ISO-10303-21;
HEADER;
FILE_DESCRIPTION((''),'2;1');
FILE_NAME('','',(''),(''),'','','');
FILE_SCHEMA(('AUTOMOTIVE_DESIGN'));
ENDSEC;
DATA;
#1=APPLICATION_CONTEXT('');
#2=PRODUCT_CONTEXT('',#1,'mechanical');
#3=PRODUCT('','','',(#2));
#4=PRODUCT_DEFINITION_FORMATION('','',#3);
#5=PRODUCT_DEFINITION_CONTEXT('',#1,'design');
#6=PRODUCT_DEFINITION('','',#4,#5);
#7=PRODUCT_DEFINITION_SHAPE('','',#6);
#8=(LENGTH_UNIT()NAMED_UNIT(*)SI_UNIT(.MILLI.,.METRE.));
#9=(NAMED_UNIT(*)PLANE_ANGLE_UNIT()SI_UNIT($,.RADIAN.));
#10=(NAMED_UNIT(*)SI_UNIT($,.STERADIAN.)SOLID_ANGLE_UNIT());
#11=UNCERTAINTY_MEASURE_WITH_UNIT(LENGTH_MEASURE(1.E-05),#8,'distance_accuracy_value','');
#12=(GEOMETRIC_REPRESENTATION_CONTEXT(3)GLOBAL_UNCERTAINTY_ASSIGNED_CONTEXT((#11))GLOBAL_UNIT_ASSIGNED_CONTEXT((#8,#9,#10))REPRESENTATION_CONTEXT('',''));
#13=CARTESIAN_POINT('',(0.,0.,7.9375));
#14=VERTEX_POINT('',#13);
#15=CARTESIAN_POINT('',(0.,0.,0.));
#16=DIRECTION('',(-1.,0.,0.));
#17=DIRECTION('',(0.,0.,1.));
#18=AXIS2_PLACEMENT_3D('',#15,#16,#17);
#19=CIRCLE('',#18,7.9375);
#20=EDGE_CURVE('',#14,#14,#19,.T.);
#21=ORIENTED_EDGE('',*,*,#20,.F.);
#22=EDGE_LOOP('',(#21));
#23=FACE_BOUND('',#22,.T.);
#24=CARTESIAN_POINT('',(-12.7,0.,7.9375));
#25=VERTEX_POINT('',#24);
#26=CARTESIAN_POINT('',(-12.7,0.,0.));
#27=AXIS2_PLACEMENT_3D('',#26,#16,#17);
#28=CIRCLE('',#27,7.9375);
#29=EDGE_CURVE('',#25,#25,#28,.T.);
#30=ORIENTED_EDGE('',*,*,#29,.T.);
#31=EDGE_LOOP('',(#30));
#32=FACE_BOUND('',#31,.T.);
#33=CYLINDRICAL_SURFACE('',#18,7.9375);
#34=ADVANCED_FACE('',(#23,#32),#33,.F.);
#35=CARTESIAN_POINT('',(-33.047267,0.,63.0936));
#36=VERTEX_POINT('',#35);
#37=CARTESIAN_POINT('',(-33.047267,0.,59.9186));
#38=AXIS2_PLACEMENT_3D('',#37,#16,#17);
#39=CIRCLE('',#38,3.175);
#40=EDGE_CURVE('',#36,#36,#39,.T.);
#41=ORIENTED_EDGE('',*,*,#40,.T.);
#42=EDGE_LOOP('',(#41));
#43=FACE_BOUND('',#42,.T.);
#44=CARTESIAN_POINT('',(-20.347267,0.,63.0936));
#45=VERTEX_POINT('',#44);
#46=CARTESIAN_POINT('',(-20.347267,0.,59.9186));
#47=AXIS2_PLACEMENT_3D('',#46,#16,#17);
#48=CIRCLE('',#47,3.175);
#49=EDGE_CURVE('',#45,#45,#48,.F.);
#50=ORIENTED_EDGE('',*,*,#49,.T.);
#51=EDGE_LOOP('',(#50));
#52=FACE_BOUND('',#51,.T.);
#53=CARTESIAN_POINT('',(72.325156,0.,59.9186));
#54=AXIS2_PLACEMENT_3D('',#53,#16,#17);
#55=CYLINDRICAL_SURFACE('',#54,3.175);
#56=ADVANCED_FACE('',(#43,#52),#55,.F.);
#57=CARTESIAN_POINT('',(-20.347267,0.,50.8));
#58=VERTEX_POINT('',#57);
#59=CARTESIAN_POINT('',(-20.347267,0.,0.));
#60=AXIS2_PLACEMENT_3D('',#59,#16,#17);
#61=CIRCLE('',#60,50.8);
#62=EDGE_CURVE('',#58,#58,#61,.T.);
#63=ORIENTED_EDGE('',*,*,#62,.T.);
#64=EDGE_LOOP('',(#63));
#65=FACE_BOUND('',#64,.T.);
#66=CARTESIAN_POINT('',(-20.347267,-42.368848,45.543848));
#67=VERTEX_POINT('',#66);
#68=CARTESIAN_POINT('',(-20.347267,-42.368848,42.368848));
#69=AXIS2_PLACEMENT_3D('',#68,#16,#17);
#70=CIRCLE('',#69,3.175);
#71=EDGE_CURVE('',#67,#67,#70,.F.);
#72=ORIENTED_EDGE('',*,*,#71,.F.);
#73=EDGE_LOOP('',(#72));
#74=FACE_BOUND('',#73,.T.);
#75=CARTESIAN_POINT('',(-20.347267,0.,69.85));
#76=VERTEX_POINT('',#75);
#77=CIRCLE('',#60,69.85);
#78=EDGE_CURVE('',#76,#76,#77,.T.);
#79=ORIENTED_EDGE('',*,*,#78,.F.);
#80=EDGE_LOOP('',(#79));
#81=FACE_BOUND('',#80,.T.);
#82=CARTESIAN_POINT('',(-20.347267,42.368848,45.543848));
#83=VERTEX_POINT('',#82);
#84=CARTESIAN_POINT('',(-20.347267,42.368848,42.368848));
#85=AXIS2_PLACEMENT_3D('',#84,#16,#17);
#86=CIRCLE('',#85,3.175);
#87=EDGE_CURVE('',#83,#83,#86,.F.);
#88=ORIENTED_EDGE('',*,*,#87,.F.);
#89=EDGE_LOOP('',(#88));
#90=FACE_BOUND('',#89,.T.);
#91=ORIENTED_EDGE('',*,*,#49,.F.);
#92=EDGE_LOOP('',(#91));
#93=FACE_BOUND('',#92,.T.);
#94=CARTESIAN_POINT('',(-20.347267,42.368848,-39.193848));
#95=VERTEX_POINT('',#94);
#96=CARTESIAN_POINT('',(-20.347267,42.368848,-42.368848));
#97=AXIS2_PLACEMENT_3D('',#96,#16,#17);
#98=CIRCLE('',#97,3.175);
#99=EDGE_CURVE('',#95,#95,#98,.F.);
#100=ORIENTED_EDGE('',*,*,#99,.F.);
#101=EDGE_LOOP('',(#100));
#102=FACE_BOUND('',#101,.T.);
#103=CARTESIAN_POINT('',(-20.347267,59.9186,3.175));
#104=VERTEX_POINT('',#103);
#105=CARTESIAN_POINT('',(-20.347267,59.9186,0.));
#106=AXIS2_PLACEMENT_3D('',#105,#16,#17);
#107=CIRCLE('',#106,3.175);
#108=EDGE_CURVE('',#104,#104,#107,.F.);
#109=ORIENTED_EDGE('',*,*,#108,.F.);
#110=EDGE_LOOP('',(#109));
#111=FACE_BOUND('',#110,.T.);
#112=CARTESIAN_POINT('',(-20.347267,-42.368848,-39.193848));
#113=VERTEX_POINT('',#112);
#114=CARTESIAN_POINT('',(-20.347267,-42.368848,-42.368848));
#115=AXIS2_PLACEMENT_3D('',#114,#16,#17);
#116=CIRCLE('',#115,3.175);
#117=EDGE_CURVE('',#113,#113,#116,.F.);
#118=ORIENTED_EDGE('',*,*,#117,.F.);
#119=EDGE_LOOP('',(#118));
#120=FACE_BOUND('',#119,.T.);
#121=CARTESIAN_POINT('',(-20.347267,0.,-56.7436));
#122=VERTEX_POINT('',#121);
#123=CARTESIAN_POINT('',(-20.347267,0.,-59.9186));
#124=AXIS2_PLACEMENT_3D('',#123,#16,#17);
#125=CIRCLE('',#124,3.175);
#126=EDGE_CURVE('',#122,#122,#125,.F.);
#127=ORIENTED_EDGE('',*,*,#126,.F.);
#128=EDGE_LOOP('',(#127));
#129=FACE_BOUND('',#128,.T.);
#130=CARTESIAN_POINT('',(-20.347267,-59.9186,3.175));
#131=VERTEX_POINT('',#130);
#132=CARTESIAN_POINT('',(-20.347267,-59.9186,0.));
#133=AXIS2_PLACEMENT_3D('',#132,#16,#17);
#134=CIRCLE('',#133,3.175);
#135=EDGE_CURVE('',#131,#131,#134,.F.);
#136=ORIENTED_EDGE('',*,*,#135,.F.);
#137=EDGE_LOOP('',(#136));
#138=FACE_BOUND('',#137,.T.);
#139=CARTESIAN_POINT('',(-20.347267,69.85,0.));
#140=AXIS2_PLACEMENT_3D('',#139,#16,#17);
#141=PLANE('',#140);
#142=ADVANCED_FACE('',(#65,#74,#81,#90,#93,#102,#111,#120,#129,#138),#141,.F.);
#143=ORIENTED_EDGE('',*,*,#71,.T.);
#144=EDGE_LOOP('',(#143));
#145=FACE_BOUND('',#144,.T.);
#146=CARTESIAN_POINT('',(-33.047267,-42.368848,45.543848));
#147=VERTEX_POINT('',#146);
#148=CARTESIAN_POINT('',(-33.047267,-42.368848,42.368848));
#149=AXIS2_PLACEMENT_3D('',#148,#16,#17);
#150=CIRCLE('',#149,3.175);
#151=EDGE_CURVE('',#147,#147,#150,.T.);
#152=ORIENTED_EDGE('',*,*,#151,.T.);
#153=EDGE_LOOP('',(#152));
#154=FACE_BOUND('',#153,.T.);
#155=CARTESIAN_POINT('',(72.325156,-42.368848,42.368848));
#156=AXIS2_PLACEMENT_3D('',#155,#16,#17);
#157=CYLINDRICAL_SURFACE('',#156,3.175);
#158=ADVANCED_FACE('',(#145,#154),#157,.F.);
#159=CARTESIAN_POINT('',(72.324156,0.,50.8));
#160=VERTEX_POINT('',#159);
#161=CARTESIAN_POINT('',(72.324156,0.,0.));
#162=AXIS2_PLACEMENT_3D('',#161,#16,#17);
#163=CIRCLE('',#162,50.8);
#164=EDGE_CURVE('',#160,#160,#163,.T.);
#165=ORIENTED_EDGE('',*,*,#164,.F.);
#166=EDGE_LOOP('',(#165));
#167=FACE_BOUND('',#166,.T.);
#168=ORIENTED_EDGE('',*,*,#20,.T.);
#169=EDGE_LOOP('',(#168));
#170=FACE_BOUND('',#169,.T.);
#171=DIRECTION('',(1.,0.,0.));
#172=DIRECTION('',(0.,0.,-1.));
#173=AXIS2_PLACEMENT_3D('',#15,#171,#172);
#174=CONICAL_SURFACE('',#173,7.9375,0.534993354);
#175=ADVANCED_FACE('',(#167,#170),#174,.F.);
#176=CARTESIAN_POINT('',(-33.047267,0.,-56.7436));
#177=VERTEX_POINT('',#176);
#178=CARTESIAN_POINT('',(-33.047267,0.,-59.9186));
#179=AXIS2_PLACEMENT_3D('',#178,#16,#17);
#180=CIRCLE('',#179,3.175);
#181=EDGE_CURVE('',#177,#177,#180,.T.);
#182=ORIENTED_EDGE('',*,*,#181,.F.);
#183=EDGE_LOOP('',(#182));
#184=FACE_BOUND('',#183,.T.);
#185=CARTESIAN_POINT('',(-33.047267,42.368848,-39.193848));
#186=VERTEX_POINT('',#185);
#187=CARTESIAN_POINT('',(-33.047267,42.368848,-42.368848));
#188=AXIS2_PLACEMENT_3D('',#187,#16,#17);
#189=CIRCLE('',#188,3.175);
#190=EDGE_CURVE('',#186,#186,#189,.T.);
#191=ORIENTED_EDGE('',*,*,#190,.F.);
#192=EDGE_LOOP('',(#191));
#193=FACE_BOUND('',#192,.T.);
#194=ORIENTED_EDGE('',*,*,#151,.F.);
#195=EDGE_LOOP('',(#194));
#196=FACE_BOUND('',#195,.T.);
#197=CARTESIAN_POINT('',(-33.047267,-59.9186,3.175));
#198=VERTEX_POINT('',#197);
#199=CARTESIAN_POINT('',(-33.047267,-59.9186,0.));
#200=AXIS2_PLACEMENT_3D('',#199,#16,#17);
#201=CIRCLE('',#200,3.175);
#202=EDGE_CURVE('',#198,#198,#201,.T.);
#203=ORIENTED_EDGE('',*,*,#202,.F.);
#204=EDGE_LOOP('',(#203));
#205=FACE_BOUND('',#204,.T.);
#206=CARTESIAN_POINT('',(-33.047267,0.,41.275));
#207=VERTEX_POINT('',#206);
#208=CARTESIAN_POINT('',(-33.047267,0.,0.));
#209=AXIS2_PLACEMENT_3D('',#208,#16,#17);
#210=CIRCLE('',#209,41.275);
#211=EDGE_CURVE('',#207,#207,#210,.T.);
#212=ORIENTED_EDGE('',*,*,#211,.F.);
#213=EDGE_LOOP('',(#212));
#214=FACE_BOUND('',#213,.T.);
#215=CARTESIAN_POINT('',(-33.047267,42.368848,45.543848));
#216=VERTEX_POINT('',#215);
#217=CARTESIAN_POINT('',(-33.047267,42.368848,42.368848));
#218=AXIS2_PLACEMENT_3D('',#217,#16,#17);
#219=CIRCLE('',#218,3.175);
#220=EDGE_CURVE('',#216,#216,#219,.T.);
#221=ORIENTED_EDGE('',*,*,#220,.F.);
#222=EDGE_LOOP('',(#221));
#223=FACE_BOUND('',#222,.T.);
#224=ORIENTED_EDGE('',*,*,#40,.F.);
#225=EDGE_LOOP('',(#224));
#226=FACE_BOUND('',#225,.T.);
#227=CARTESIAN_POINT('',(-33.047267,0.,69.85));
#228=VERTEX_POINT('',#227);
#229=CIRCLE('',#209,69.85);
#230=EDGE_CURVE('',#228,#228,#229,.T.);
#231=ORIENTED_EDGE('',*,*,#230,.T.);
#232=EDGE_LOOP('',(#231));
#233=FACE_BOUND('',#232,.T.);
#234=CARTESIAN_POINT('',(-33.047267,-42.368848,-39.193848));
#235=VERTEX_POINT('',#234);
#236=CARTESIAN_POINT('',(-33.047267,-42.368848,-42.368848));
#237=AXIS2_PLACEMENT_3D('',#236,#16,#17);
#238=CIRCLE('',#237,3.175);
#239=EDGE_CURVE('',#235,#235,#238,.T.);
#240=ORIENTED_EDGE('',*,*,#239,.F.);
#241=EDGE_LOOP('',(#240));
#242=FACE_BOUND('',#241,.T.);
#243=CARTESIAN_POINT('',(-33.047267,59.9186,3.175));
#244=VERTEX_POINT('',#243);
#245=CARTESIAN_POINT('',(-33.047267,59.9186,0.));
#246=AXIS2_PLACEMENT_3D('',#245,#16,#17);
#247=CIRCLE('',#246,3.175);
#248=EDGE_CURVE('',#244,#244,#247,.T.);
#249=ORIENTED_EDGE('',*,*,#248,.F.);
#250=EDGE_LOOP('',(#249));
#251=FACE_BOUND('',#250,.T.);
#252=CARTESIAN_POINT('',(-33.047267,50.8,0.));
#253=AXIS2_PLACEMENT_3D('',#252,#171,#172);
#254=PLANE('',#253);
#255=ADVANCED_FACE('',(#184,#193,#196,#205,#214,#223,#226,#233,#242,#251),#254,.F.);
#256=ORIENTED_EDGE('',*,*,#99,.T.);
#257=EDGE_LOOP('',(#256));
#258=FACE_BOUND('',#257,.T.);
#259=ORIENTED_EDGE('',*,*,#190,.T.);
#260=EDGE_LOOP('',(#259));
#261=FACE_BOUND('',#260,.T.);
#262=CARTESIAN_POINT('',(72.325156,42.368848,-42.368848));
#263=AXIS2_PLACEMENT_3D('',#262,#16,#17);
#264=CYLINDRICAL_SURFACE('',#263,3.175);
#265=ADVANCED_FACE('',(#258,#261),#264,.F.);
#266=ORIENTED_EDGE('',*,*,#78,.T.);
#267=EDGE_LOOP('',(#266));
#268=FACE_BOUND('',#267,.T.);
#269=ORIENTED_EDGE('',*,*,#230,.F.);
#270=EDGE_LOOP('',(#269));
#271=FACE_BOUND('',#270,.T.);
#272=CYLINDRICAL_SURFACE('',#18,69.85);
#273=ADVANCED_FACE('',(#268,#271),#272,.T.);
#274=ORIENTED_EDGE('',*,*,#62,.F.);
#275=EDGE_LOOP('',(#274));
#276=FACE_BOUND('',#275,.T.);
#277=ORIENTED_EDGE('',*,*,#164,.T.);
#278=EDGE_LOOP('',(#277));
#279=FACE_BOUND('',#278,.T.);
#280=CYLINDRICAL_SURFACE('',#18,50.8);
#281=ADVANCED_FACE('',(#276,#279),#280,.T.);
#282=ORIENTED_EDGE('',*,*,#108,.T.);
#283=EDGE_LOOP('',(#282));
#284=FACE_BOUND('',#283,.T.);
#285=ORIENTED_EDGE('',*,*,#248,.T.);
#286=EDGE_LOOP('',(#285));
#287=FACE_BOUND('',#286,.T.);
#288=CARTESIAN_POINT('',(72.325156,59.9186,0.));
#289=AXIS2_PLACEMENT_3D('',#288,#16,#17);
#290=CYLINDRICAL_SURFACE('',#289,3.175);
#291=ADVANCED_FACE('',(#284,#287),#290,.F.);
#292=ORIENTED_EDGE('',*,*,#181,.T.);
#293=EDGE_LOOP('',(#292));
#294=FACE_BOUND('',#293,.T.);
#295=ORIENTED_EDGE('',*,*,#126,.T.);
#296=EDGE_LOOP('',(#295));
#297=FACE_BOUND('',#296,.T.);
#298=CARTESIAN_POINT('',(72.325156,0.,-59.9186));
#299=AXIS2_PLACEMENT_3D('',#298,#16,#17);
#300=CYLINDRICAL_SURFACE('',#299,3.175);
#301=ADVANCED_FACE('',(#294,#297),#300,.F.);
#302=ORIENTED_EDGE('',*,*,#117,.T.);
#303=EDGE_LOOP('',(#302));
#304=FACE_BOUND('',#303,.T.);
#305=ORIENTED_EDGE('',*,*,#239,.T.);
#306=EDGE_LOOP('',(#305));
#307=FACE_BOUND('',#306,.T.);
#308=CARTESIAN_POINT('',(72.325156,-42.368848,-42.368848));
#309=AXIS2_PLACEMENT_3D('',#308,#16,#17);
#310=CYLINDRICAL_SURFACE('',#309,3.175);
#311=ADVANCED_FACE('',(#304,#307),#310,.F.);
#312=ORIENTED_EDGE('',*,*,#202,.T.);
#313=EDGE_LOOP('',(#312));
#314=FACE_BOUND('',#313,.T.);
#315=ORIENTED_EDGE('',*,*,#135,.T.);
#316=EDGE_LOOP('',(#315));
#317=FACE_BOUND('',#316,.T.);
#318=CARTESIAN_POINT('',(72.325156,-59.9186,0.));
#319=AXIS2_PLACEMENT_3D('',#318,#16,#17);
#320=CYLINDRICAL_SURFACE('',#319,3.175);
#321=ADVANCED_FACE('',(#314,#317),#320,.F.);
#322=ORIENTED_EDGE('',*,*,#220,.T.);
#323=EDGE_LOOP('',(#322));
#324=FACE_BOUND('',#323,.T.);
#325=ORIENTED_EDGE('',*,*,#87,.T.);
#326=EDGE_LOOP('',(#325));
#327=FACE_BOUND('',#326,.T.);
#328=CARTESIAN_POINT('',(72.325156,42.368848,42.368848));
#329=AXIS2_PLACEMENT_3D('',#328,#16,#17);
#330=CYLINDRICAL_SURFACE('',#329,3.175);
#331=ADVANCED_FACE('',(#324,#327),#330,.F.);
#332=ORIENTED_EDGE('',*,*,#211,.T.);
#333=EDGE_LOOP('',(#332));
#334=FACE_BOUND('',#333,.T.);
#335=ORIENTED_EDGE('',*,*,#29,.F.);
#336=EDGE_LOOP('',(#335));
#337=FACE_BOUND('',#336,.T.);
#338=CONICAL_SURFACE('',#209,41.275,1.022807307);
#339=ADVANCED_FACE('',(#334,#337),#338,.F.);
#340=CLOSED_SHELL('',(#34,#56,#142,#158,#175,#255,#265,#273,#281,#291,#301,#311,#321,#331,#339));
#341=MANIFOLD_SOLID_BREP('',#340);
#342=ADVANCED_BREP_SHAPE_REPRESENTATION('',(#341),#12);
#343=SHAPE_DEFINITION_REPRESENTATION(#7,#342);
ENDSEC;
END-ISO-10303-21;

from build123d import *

# Parameters (mm, degrees)
CUT_EXTRUDE2_REACH = 107.371
SKETCH3_R          = 3.175


with BuildPart() as part:
    # Sketch1 → Revolve1 (revolve)
    with BuildSketch(Plane.XY):
        Polygon((0, 7.9375), (72.324156056, 50.8), (-20.347266862, 50.8), (-20.347266862, 69.85), (-33.047266862, 69.85), (-33.047266862, 50.8), (-33.047266862, 41.275), (-12.7, 7.9375), align=None)
    revolve(axis=Axis((0, 0, 0), (1, 0, 0)))

    # Sketch3 → Cut-Extrude2 (cut, up to next)
    with BuildSketch(Plane.ZY.offset(33.047266862), mode=Mode.PRIVATE) as cut_extrude2_sk1:
        with Locations((0, 59.9186)):
            Circle(SKETCH3_R)
    cut_extrude2_tool1 = extrude(cut_extrude2_sk1.sketch, amount=-CUT_EXTRUDE2_REACH, mode=Mode.PRIVATE) & part.part
    add(cut_extrude2_tool1.solids().sort_by_distance((-33.047267, 59.9186, 0))[0], mode=Mode.SUBTRACT)
    # Sketch3 → Cut-Extrude2 (cut, up to next)
    with BuildSketch(Plane.ZY.offset(33.047266862), mode=Mode.PRIVATE) as cut_extrude2_sk2:
        with Locations((42.368848379, 42.368848379)):
            Circle(SKETCH3_R)
    cut_extrude2_tool2 = extrude(cut_extrude2_sk2.sketch, amount=-CUT_EXTRUDE2_REACH, mode=Mode.PRIVATE) & part.part
    add(cut_extrude2_tool2.solids().sort_by_distance((-33.047267, 42.368848, 42.368848))[0], mode=Mode.SUBTRACT)
    # Sketch3 → Cut-Extrude2 (cut, up to next)
    with BuildSketch(Plane.ZY.offset(33.047266862), mode=Mode.PRIVATE) as cut_extrude2_sk3:
        with Locations((59.9186, 0)):
            Circle(SKETCH3_R)
    cut_extrude2_tool3 = extrude(cut_extrude2_sk3.sketch, amount=-CUT_EXTRUDE2_REACH, mode=Mode.PRIVATE) & part.part
    add(cut_extrude2_tool3.solids().sort_by_distance((-33.047267, 0, 59.9186))[0], mode=Mode.SUBTRACT)
    # Sketch3 → Cut-Extrude2 (cut, up to next)
    with BuildSketch(Plane.ZY.offset(33.047266862), mode=Mode.PRIVATE) as cut_extrude2_sk4:
        with Locations((42.368848379, -42.368848379)):
            Circle(SKETCH3_R)
    cut_extrude2_tool4 = extrude(cut_extrude2_sk4.sketch, amount=-CUT_EXTRUDE2_REACH, mode=Mode.PRIVATE) & part.part
    add(cut_extrude2_tool4.solids().sort_by_distance((-33.047267, -42.368848, 42.368848))[0], mode=Mode.SUBTRACT)
    # Sketch3 → Cut-Extrude2 (cut, up to next)
    with BuildSketch(Plane.ZY.offset(33.047266862), mode=Mode.PRIVATE) as cut_extrude2_sk5:
        with Locations((0, -59.9186)):
            Circle(SKETCH3_R)
    cut_extrude2_tool5 = extrude(cut_extrude2_sk5.sketch, amount=-CUT_EXTRUDE2_REACH, mode=Mode.PRIVATE) & part.part
    add(cut_extrude2_tool5.solids().sort_by_distance((-33.047267, -59.9186, 0))[0], mode=Mode.SUBTRACT)
    # Sketch3 → Cut-Extrude2 (cut, up to next)
    with BuildSketch(Plane.ZY.offset(33.047266862), mode=Mode.PRIVATE) as cut_extrude2_sk6:
        with Locations((-42.368848379, -42.368848379)):
            Circle(SKETCH3_R)
    cut_extrude2_tool6 = extrude(cut_extrude2_sk6.sketch, amount=-CUT_EXTRUDE2_REACH, mode=Mode.PRIVATE) & part.part
    add(cut_extrude2_tool6.solids().sort_by_distance((-33.047267, -42.368848, -42.368848))[0], mode=Mode.SUBTRACT)
    # Sketch3 → Cut-Extrude2 (cut, up to next)
    with BuildSketch(Plane.ZY.offset(33.047266862), mode=Mode.PRIVATE) as cut_extrude2_sk7:
        with Locations((-59.9186, 0)):
            Circle(SKETCH3_R)
    cut_extrude2_tool7 = extrude(cut_extrude2_sk7.sketch, amount=-CUT_EXTRUDE2_REACH, mode=Mode.PRIVATE) & part.part
    add(cut_extrude2_tool7.solids().sort_by_distance((-33.047267, 0, -59.9186))[0], mode=Mode.SUBTRACT)
    # Sketch3 → Cut-Extrude2 (cut, up to next)
    with BuildSketch(Plane.ZY.offset(33.047266862), mode=Mode.PRIVATE) as cut_extrude2_sk8:
        with Locations((-42.368848379, 42.368848379)):
            Circle(SKETCH3_R)
    cut_extrude2_tool8 = extrude(cut_extrude2_sk8.sketch, amount=-CUT_EXTRUDE2_REACH, mode=Mode.PRIVATE) & part.part
    add(cut_extrude2_tool8.solids().sort_by_distance((-33.047267, 42.368848, -42.368848))[0], mode=Mode.SUBTRACT)


solid = part.part
